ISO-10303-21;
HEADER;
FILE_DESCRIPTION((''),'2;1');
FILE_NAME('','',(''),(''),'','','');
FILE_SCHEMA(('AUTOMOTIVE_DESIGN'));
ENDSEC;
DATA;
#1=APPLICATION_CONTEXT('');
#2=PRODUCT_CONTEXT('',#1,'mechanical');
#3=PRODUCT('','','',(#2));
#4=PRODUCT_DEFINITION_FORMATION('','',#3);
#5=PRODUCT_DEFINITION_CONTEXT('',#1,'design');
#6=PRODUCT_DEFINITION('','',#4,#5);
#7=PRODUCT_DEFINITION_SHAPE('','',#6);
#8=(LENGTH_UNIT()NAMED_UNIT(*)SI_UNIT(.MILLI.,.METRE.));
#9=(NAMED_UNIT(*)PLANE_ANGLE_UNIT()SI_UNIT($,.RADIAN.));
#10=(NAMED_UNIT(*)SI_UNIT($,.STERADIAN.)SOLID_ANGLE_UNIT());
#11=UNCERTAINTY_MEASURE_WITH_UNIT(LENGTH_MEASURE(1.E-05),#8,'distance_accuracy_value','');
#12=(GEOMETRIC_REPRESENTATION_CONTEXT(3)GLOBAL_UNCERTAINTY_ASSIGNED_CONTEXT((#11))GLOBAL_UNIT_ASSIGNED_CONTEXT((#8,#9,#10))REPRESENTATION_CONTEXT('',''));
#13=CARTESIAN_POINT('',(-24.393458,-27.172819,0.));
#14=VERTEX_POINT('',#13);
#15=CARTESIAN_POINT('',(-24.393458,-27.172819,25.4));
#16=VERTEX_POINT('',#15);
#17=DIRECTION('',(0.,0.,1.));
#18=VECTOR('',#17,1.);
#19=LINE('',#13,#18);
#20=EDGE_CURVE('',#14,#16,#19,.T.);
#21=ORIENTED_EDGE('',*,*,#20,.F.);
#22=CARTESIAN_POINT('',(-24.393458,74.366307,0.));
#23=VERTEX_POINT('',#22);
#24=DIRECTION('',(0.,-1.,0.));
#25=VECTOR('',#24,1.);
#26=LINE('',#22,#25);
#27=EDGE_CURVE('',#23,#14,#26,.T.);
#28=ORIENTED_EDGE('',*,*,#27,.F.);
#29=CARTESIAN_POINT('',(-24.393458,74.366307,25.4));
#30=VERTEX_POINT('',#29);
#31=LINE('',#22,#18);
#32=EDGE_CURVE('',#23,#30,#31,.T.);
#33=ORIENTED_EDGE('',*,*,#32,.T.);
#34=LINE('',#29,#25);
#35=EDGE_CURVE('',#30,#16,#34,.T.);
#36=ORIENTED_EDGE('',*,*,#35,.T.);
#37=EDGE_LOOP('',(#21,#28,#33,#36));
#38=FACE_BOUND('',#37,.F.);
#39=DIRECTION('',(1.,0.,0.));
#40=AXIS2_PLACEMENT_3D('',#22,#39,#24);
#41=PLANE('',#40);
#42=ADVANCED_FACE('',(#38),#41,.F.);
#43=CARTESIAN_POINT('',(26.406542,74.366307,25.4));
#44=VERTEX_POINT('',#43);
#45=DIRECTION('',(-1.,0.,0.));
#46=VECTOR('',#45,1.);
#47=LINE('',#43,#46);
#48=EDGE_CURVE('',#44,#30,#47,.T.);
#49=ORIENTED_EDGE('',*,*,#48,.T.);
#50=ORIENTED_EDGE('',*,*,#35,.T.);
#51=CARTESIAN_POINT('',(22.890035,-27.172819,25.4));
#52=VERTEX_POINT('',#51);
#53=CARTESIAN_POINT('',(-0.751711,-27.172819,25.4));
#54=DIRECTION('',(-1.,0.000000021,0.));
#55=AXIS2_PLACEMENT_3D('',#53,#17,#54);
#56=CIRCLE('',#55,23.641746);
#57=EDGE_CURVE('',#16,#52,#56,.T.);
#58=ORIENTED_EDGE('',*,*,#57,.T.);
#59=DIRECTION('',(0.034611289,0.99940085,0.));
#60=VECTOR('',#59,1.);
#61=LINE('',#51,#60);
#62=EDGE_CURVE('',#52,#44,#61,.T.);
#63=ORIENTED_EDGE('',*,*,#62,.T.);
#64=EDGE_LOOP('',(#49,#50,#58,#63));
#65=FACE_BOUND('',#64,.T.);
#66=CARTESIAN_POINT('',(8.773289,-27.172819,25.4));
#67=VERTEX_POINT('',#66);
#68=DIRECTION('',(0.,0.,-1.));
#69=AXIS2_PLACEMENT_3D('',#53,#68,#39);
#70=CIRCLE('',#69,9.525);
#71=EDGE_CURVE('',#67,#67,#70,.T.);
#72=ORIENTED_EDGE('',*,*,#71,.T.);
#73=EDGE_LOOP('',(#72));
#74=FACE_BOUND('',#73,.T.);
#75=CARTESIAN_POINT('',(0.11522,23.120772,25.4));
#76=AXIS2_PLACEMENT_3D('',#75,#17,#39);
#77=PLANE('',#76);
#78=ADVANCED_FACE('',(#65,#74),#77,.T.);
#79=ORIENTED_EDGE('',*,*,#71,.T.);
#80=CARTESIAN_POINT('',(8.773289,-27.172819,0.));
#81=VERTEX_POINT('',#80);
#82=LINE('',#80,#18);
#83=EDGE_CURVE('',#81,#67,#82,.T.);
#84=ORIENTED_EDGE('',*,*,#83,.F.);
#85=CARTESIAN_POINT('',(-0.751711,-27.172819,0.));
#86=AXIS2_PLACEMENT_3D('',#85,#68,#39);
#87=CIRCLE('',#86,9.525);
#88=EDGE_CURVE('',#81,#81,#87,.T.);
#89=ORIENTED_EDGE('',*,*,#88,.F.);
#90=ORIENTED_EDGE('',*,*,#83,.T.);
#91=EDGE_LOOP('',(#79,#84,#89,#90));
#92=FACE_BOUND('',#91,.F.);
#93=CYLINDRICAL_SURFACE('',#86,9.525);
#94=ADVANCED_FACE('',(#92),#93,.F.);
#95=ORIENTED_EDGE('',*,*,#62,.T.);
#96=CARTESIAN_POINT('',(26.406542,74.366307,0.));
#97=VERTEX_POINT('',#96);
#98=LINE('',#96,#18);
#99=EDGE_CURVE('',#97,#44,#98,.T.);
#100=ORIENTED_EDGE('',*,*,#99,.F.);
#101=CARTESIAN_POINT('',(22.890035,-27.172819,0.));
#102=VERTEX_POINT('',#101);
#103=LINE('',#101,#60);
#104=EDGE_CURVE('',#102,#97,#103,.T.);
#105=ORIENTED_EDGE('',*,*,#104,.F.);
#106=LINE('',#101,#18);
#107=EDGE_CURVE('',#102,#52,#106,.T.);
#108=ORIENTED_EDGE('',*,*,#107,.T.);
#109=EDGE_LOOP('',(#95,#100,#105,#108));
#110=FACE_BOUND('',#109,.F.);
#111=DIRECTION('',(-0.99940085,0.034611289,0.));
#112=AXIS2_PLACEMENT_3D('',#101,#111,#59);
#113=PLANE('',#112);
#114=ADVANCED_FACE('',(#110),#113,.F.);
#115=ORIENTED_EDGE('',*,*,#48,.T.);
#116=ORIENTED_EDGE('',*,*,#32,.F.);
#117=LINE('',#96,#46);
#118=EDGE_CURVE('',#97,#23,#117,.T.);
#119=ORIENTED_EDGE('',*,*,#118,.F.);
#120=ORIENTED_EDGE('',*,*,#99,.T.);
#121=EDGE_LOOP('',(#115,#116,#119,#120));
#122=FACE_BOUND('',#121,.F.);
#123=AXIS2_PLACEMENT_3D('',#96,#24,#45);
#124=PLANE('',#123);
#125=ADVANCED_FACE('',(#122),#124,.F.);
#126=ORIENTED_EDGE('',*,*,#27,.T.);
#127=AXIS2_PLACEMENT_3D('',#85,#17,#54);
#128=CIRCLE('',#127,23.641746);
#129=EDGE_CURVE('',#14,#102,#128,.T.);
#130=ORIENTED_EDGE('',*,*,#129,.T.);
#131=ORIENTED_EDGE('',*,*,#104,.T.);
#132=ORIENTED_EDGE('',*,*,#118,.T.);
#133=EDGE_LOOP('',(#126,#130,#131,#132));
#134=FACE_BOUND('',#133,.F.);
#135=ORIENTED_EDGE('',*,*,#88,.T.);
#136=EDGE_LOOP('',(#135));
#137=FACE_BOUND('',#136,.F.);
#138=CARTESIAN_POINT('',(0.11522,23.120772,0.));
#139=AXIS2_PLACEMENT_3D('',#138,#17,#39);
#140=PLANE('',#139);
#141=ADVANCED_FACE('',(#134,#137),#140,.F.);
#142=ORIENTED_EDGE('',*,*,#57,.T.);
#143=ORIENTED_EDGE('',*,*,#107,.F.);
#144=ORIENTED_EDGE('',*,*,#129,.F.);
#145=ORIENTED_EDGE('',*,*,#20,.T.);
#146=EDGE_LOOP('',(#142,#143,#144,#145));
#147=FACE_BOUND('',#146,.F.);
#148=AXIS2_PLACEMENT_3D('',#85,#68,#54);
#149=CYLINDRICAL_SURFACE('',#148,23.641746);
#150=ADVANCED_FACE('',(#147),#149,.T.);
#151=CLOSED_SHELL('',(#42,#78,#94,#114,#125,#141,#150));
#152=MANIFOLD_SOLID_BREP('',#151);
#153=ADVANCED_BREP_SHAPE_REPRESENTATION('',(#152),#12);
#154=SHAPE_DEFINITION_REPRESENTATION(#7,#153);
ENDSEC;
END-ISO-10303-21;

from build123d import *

# Parameters (mm, degrees)
F1_DEPTH = 25.4


with BuildPart() as f1:
    # F0 (on Top) → F1 (new body)
    with BuildSketch(Plane.XY):
        with BuildLine():
            ThreePointArc((-10.276711, -27.172819), (-0.751711, -17.647819), (8.773289, -27.172819))
            Line((8.773289, -27.172819), (22.890035, -27.172819))
            Line((22.890035, -27.172819), (26.406542, 74.366307))
            Line((26.406542, 74.366307), (-24.393458, 74.366307))
            Line((-24.393458, 74.366307), (-24.393458, -27.172819))
            Line((-24.393458, -27.172819), (-10.276711, -27.172819))
        make_face()
        with BuildLine():
            Line((22.890035, -27.172819), (8.773289, -27.172819))
            ThreePointArc((8.773289, -27.172819), (-0.751711, -36.697819), (-10.276711, -27.172819))
            Line((-10.276711, -27.172819), (-24.393458, -27.172819))
            ThreePointArc((-24.393458, -27.172819), (-0.751711, -50.814566), (22.890035, -27.172819))
        make_face()
    extrude(amount=F1_DEPTH)


solid = f1.part
